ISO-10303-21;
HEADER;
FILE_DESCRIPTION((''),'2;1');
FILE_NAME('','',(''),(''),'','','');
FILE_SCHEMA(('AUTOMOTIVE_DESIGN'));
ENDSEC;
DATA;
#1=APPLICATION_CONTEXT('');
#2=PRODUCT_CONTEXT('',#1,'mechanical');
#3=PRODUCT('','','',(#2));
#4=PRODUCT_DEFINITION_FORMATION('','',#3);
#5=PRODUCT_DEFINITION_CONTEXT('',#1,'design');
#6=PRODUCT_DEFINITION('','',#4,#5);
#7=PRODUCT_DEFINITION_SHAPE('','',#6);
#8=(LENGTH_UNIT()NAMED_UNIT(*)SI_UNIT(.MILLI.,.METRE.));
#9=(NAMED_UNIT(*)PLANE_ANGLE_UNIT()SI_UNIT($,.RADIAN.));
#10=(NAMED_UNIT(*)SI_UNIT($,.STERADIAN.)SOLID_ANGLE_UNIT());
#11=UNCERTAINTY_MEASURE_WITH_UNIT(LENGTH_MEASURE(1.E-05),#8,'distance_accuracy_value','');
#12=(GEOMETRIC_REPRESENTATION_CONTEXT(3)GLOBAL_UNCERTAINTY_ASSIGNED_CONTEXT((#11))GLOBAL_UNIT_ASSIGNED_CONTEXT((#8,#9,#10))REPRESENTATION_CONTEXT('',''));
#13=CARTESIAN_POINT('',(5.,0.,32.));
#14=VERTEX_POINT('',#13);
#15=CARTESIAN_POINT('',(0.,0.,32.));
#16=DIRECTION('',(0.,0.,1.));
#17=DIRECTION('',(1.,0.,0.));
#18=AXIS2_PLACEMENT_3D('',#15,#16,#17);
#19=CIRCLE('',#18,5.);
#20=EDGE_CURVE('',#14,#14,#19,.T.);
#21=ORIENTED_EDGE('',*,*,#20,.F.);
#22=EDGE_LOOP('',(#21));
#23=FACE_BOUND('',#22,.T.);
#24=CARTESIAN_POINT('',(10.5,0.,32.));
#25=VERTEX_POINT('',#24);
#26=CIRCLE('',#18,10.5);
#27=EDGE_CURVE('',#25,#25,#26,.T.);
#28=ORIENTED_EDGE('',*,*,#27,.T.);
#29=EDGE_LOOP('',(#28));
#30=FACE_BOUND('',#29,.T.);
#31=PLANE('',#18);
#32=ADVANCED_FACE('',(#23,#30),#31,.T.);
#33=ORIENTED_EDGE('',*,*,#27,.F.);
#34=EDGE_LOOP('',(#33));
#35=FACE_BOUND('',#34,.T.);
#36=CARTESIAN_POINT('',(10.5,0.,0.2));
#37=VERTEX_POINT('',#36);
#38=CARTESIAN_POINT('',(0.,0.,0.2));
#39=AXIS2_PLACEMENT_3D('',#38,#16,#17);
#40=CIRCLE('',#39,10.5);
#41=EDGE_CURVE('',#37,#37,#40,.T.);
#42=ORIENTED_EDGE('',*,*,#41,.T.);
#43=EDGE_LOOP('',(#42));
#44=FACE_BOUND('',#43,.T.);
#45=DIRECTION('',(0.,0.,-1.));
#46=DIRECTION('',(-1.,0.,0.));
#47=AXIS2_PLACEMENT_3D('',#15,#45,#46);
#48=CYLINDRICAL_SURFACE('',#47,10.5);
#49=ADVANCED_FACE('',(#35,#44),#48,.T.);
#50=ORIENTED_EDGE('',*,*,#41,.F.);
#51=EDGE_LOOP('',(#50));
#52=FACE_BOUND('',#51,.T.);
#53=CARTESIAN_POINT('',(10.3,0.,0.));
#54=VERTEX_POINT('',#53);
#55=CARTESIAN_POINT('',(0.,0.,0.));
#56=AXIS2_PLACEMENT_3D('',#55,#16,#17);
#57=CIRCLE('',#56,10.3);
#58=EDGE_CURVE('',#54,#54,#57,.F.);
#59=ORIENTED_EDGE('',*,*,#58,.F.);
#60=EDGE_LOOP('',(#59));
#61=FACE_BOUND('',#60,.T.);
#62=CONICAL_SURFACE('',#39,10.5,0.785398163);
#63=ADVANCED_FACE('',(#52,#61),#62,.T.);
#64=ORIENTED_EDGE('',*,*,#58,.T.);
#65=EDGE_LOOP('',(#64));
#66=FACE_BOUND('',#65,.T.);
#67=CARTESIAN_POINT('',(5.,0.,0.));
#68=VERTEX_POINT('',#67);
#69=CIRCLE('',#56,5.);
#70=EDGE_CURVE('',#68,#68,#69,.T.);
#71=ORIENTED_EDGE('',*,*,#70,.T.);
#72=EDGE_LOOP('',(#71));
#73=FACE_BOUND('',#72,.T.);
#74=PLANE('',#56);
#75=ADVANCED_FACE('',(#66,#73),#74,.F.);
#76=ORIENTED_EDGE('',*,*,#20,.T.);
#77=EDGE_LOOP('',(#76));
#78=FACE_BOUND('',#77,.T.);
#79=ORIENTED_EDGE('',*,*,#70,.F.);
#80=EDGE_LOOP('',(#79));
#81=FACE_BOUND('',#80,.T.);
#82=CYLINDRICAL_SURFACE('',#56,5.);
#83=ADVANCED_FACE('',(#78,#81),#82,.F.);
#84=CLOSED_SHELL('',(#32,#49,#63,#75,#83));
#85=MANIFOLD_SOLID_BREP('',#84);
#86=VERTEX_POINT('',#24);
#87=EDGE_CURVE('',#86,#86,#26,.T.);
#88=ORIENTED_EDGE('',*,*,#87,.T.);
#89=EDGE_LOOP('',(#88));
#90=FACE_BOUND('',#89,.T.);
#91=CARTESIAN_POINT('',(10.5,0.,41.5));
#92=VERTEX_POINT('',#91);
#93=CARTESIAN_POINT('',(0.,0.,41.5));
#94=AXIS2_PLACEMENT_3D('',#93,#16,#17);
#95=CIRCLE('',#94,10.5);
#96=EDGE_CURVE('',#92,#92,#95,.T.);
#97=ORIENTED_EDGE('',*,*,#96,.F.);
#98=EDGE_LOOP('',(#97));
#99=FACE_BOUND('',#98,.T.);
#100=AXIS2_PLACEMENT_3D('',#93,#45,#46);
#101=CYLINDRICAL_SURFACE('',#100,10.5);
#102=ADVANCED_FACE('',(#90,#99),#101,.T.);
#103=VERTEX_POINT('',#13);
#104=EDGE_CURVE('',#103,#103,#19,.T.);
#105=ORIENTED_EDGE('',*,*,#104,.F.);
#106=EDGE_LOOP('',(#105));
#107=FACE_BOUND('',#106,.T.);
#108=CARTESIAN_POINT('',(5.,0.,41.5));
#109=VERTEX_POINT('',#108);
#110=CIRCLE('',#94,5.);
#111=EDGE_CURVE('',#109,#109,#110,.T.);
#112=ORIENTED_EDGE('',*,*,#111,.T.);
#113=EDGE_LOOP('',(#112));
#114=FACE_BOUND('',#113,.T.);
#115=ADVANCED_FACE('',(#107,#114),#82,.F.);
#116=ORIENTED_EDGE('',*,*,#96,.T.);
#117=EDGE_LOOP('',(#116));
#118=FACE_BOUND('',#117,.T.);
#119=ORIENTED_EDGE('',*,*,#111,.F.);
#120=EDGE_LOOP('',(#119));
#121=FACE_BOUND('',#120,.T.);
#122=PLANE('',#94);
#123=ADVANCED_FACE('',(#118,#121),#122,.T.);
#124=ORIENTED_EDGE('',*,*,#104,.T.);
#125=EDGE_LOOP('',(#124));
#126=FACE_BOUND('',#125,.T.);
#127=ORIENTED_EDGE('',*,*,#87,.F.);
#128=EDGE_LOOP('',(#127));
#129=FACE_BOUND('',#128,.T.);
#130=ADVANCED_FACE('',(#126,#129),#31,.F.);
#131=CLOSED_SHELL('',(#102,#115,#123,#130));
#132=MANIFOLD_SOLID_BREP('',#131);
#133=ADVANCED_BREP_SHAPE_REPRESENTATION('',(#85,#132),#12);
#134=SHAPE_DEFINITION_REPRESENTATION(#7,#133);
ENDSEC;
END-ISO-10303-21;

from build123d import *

# Parameters (mm, degrees)
SKETCH_1_R          = 10.5
EXTRUDE_1_DEPTH     = 32
SKETCH_2_R          = 10.5
EXTRUDE_2_DEPTH     = 9.5
SKETCH_3_R          = 5
CUT_EXTRUDE_3_DEPTH = 45.076637803
CHAMFER_1_SIZE      = 0.2


with BuildPart() as part:
    # 草图1 → 拉伸1 (new body)
    with BuildSketch(Plane.XY):
        Circle(SKETCH_1_R)
    extrude(amount=EXTRUDE_1_DEPTH)


with BuildPart() as body_2:
    # 草图2 → 拉伸2 (new body)
    with BuildSketch(Plane.XY.offset(32)):
        Circle(SKETCH_2_R)
    extrude(amount=EXTRUDE_2_DEPTH)


with BuildPart() as cut_extrude_3_tool:
    # 草图3 → 拉伸3 (new, through all)
    with BuildSketch(Plane.XY.offset(41.5)):
        Circle(SKETCH_3_R)
    extrude(amount=-CUT_EXTRUDE_3_DEPTH)


with BuildPart() as part_1:
    add(part.part)

    # 拉伸3: cut by cut_extrude_3_tool
    add(cut_extrude_3_tool.part, mode=Mode.SUBTRACT)

    # 倒角1
    chamfer_1_edges = [part_1.edges().sort_by_distance(p)[0] for p in [
        (-10.5, 0, 0),
    ]]
    chamfer(chamfer_1_edges, length=CHAMFER_1_SIZE)


with BuildPart() as body_2_1:
    add(body_2.part)

    # 拉伸3: cut by cut_extrude_3_tool
    add(cut_extrude_3_tool.part, mode=Mode.SUBTRACT)


solid = Compound([part_1.part, body_2_1.part])
